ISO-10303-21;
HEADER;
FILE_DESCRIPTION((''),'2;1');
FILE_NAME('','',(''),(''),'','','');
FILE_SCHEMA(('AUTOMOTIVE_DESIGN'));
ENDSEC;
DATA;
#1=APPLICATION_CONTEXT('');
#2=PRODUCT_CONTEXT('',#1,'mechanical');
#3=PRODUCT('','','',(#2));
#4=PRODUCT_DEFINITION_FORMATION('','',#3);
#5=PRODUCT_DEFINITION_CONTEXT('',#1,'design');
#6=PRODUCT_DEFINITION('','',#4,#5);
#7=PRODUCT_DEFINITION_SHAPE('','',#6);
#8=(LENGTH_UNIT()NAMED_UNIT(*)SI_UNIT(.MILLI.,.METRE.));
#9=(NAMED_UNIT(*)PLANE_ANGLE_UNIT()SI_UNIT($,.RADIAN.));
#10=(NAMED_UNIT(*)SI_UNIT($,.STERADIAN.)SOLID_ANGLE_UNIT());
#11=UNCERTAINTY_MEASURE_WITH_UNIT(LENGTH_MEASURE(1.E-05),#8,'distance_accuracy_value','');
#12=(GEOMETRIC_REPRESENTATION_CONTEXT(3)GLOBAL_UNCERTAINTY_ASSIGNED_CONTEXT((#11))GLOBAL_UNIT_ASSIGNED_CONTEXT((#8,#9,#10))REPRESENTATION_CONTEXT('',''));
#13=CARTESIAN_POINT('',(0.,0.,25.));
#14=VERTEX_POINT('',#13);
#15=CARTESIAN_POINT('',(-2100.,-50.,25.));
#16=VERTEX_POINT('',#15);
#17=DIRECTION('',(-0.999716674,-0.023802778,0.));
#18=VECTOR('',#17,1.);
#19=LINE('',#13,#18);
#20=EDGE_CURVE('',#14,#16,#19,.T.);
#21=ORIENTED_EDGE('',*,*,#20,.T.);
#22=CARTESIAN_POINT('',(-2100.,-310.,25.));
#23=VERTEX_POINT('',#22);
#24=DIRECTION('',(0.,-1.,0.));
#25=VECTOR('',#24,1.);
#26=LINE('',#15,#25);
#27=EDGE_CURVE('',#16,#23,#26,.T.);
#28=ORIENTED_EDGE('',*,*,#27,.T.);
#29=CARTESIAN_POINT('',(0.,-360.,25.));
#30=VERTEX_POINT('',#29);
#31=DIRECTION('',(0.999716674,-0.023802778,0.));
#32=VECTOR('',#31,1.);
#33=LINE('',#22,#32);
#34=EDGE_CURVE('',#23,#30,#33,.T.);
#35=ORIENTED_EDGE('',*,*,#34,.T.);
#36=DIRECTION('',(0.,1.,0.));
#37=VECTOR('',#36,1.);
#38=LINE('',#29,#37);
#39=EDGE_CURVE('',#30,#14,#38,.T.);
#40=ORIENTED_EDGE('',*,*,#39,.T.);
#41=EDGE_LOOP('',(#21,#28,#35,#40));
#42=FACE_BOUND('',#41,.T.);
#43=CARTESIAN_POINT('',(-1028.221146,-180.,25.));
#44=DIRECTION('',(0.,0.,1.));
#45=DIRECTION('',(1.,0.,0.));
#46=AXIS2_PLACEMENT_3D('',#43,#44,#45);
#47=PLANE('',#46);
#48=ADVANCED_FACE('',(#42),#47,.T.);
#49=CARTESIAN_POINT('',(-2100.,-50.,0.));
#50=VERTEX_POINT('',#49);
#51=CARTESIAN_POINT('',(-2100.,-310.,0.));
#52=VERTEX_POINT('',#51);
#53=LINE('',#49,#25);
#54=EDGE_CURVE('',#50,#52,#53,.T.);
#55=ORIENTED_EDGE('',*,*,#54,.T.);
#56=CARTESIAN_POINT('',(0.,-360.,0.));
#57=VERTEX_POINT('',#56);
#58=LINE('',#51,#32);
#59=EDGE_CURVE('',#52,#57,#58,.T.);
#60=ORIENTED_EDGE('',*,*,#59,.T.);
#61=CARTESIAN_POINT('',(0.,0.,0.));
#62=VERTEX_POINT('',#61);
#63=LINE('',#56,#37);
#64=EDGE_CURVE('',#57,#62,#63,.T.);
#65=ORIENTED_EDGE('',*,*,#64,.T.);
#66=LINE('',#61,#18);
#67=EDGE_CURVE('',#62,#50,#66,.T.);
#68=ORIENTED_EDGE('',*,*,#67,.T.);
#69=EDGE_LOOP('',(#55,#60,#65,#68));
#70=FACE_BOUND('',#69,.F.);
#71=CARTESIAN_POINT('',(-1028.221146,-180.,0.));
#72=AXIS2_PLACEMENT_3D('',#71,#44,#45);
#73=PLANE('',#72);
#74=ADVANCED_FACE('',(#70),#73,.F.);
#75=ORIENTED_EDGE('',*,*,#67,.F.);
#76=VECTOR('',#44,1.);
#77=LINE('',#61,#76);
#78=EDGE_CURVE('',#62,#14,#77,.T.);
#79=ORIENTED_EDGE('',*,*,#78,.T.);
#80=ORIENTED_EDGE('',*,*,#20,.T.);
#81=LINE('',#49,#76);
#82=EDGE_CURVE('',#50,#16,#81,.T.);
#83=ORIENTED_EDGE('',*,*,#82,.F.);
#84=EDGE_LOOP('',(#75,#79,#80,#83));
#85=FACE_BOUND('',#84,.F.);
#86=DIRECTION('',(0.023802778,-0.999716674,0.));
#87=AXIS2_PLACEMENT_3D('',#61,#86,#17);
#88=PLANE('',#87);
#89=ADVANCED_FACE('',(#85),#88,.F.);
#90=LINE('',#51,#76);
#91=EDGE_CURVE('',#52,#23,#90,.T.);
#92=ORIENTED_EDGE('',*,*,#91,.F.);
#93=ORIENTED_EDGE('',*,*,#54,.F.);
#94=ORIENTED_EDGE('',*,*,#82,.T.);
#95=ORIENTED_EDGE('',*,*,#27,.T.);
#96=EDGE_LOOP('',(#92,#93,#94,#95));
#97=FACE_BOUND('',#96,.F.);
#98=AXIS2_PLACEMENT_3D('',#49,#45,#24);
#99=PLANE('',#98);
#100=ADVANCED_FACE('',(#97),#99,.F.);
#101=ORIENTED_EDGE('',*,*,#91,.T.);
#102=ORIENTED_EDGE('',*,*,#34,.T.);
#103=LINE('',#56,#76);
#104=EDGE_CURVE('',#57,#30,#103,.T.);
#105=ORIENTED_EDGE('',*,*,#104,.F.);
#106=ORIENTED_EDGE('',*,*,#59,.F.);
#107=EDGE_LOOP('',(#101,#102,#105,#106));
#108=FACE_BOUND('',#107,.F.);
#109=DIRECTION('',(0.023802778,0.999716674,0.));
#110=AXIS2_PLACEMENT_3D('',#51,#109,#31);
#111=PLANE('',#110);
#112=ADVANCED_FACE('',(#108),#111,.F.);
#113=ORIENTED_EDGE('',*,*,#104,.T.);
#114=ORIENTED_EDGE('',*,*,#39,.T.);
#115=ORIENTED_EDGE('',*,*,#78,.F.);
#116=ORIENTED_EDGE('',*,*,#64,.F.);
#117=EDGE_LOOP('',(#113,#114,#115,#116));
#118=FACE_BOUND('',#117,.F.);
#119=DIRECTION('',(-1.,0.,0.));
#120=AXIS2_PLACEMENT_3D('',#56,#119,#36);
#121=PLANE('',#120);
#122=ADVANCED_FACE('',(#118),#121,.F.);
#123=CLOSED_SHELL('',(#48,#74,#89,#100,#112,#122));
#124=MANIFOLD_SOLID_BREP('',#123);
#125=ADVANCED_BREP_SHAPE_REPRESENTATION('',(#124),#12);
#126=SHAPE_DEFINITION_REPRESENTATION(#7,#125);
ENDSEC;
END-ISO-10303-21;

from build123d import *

# Parameters (mm, degrees)
F1_DEPTH = 25


with BuildPart() as f1:
    # F0 (on Top) → F1 (new body)
    with BuildSketch(Plane.XY):
        Polygon((0, -360), (0, 0), (-2100, -50), (-2100, -310), align=None)
    extrude(amount=F1_DEPTH)


with BuildPart() as f3:
    # F2 (on face) → F3 (revolve)
    with BuildSketch(Plane.XY.offset(25)):
        Polygon((0, 0), (0, -360), (32.8437872231, -908.5312581062), (103.8437858224, -1328.6146020889), (234.0103685856, -1328.6146020889), (193.9810067415, 1467.5388336182), (68.257547915, 1411.1691713333), (-87.2723832726, 1199.2609500885), (-128.0860751867, 896.1502313614), (-80.0736993551, 367.2015070915), align=None)
    revolve(axis=Axis((213.9956876636, 69.4621157646, 25), (-0.0143144007, 0.9998975437, 0)))


solid = f1.part
